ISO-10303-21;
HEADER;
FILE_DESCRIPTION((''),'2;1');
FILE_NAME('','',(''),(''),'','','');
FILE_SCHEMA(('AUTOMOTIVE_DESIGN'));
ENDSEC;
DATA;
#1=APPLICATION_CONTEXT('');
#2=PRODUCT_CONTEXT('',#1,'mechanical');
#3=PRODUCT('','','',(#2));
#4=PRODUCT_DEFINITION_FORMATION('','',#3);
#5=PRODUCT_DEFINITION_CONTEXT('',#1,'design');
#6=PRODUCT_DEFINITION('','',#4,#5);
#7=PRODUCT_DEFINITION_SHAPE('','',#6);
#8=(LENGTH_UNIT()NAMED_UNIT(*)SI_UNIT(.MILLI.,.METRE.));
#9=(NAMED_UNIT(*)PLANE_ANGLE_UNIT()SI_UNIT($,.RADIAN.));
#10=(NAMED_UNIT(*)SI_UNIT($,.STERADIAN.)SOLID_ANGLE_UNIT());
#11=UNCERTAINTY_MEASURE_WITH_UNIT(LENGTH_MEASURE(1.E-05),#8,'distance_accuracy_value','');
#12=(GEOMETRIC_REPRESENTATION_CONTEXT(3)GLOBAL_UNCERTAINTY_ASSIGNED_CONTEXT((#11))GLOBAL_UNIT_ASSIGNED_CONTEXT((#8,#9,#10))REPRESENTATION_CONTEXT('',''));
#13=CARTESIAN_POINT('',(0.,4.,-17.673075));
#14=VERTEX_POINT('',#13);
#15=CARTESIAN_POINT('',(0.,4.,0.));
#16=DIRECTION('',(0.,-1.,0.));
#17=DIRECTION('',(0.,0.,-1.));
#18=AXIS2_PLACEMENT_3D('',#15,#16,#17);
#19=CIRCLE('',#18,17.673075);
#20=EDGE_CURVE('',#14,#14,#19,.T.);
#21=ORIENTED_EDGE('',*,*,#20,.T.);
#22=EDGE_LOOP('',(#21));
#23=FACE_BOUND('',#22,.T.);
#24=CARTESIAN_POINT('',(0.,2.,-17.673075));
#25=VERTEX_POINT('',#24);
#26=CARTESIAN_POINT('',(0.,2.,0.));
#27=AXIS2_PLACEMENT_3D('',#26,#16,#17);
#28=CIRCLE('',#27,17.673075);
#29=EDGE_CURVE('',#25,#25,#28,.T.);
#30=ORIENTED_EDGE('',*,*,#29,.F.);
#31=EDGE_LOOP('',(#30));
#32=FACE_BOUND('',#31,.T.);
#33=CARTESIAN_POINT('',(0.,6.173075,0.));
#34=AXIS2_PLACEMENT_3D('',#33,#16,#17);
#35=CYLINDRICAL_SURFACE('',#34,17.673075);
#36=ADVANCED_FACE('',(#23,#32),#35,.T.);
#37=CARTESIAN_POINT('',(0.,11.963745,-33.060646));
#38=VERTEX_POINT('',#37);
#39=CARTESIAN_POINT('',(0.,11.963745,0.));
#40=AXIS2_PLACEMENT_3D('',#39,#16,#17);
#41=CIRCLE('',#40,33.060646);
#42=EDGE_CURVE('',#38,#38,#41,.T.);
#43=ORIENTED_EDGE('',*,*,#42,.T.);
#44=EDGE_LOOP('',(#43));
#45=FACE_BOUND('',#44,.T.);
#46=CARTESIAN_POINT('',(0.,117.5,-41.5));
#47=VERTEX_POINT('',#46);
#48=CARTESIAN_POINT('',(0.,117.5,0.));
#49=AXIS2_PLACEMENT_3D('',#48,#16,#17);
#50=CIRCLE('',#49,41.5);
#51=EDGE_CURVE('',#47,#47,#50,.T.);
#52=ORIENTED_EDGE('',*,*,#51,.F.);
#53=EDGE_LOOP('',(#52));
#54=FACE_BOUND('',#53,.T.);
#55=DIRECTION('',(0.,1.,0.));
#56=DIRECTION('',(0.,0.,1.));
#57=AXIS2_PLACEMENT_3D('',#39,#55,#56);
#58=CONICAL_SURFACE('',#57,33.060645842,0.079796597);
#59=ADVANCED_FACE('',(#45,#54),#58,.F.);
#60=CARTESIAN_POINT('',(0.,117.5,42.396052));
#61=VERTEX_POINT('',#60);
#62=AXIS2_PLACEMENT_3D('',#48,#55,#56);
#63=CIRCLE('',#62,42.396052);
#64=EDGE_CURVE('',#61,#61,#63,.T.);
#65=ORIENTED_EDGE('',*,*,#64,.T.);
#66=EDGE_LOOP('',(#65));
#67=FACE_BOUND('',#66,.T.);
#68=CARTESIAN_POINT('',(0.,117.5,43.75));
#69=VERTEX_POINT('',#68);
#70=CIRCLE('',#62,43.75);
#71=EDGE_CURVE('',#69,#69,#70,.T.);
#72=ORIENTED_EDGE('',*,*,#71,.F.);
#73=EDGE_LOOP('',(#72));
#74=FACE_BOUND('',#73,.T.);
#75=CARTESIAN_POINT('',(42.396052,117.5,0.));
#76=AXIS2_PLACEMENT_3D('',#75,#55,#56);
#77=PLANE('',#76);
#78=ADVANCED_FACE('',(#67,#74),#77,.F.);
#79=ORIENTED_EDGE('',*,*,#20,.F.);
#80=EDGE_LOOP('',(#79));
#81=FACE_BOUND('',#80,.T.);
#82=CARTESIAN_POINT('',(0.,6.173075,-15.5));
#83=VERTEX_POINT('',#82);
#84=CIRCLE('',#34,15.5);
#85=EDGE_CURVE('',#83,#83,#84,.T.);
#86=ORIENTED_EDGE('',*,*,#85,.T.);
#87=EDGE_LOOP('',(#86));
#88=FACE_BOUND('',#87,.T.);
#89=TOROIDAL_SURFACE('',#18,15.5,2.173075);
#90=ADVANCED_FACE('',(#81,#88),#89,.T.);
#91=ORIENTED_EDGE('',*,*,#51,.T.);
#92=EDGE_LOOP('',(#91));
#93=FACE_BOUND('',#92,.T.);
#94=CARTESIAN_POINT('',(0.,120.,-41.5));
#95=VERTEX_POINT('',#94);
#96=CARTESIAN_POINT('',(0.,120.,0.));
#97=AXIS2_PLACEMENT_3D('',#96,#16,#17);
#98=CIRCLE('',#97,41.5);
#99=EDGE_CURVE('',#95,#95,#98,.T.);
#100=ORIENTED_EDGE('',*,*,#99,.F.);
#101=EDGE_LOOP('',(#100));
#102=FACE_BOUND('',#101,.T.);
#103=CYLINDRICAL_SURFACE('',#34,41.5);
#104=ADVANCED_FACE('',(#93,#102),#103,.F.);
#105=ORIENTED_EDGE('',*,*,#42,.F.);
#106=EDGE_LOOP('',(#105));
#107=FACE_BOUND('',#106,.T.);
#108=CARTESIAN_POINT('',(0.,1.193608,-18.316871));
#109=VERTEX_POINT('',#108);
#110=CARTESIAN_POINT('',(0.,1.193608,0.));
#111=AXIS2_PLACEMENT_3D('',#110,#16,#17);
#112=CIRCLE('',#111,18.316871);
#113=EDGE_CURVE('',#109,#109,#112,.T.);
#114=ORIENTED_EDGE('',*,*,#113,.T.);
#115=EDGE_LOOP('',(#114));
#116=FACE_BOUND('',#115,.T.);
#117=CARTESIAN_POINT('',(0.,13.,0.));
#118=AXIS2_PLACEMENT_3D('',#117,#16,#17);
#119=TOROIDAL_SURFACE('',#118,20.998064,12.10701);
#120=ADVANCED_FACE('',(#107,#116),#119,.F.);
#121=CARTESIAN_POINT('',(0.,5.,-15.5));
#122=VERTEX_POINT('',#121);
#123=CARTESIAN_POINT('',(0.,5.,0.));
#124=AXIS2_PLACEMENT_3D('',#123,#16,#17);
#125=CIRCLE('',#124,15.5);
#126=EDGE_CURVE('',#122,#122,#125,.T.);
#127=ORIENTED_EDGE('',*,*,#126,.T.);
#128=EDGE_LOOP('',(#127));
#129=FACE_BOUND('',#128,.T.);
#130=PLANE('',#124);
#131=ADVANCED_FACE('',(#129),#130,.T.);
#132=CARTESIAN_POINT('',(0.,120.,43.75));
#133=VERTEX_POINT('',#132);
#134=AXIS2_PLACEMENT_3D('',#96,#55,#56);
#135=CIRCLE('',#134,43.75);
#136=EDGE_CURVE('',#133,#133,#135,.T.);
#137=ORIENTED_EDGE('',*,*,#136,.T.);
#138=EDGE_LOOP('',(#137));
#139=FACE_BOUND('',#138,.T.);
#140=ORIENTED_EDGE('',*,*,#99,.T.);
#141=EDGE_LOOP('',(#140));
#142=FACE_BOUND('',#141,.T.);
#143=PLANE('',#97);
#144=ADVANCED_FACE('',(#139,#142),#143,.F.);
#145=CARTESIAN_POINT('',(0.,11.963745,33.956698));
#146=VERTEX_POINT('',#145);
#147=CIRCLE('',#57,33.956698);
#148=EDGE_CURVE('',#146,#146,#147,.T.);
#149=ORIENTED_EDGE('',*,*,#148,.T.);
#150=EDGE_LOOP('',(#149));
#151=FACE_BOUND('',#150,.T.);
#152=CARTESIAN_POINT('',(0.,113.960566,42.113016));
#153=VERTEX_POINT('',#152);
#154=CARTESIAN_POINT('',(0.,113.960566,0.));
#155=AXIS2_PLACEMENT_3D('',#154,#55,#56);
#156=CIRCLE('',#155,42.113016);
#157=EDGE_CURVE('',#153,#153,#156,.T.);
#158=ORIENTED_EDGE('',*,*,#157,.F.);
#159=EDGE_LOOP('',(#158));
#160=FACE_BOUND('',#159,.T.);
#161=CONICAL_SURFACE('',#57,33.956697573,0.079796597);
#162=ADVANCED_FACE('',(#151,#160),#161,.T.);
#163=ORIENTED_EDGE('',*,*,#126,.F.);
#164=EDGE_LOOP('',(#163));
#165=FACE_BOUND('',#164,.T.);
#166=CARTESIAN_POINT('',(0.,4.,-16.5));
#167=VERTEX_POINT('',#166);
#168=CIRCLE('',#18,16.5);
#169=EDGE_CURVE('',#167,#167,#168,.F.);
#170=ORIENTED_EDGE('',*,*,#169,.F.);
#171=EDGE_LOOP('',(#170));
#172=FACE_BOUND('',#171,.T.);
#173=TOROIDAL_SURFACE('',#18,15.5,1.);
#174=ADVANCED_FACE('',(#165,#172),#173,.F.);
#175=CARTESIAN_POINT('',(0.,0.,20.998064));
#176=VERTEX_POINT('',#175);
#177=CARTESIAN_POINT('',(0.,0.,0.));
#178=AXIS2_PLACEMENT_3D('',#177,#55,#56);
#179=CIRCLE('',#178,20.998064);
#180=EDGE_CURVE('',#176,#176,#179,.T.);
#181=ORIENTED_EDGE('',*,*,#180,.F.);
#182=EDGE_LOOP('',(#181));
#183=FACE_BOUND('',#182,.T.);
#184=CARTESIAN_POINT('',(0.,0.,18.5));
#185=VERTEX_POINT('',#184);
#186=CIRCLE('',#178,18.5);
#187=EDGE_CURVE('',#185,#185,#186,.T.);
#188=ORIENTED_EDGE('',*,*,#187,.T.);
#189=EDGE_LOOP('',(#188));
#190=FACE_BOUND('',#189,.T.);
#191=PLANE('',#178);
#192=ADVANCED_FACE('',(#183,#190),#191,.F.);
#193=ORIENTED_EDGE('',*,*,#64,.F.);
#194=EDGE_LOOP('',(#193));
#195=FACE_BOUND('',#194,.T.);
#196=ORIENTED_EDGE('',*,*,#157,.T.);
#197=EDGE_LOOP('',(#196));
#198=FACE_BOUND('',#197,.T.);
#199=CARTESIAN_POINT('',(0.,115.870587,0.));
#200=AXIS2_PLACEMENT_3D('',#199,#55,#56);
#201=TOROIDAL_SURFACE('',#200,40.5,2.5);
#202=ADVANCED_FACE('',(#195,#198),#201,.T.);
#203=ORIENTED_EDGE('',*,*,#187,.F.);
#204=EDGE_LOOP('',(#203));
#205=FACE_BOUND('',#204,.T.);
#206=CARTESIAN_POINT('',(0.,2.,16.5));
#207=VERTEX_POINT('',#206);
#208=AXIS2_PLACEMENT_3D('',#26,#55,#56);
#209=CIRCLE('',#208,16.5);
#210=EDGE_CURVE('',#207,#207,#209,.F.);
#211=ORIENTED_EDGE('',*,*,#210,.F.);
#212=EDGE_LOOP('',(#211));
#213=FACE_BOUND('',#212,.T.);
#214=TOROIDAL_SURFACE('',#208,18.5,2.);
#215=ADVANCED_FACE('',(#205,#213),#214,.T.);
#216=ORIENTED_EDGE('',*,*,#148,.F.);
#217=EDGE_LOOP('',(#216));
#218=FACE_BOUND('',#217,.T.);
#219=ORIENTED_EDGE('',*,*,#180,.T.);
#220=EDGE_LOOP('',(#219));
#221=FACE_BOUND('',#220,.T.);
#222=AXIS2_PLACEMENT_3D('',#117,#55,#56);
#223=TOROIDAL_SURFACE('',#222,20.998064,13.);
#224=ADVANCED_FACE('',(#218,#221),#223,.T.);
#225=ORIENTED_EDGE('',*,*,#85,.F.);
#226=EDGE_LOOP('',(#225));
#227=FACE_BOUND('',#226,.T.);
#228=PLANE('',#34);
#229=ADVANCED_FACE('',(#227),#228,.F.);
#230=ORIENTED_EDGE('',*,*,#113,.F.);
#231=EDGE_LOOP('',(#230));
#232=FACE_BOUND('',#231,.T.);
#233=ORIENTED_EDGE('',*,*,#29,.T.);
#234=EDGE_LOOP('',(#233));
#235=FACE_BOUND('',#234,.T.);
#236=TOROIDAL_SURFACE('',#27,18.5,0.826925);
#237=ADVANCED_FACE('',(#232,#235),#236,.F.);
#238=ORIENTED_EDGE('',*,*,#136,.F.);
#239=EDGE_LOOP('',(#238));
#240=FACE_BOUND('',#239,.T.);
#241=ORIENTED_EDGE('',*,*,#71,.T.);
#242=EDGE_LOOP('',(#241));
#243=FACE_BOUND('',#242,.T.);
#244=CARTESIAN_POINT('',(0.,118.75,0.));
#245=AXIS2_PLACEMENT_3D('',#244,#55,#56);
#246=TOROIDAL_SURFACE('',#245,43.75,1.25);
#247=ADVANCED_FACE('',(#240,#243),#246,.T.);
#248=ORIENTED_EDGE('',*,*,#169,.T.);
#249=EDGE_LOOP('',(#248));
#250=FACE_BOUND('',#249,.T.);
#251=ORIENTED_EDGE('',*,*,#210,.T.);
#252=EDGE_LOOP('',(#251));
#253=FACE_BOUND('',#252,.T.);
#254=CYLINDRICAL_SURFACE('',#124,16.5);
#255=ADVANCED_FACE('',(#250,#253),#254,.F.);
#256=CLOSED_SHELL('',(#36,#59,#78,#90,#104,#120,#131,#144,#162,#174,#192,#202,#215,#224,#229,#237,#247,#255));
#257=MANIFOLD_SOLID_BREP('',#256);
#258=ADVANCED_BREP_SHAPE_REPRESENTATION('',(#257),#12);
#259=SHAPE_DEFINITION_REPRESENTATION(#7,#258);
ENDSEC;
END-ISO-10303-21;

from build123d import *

# Parameters (mm, degrees)
SKETCH2_R          = 16.5
CUT_EXTRUDE1_DEPTH = 5
FILLET1_R          = 2
FILLET2_R          = 1


with BuildPart() as part:
    # Sketch1 → Revolve1 (revolve)
    with BuildSketch(Plane.XY, mode=Mode.PRIVATE) as revolve1_sk:
        with BuildLine():
            Line((0, 120), (43.75, 120))
            ThreePointArc((43.75, 120), (45, 118.75), (43.75, 117.5))
            Line((43.75, 117.5), (42.396051731, 117.5))
            ThreePointArc((42.396051731, 117.5), (42.992044851, 115.67130681), (42.11301593, 113.96056582))
            Line((42.11301593, 113.96056582), (33.956697573, 11.963744782))
            ThreePointArc((33.956697573, 11.963744782), (29.816473561, 3.448264089), (20.998064346, 0))
            Line((20.998064346, 0), (0, 0))
            Line((0, 0), (0, 120))
        make_face()
    revolve(revolve1_sk.sketch.rotate(Axis((0, 120, 0), (0, -1, 0)), 90), axis=Axis((0, 120, 0), (0, -1, 0)))

    # Sketch2 → Cut-Extrude1 (cut)
    with BuildSketch(Plane.XZ):
        with Locations(Location((0, 0, 0), (0, 0, 270))):
            Circle(SKETCH2_R)
    extrude(amount=-CUT_EXTRUDE1_DEPTH, mode=Mode.SUBTRACT)

    # Fillet1
    fillet1_edges = [part.edges().sort_by_distance(p)[0] for p in [
        (0, 0, 16.5),
    ]]
    fillet(fillet1_edges, radius=FILLET1_R)

    # Fillet2
    fillet2_edges = [part.edges().sort_by_distance(p)[0] for p in [
        (0, 5, 16.5),
    ]]
    fillet(fillet2_edges, radius=FILLET2_R)

    # Sketch4 → Cut-Revolve1 (revolve, cut)
    with BuildSketch(Plane(origin=(0, 0, 0), x_dir=(0, 0, -1), z_dir=(1, 0, 0))):
        with BuildLine():
            Line((0, 6.173075097), (0, 120))
            Line((0, 120), (41.5, 120))
            Line((41.5, 120), (41.5, 117.5))
            Line((41.5, 117.5), (33.060645842, 11.963744782))
            ThreePointArc((33.060645842, 11.963744782), (28.139602956, 3.223593528), (18.316870923, 1.193607704))
            ThreePointArc((18.316870923, 1.193607704), (17.853765217, 1.484068415), (17.673075097, 2))
            Line((17.673075097, 2), (17.673075097, 4))
            ThreePointArc((17.673075097, 4), (17.036596137, 5.536596137), (15.5, 6.173075097))
            Line((15.5, 6.173075097), (0, 6.173075097))
        make_face()
    revolve(axis=Axis((0, 6.173075097, 0), (0, 1, 0)), mode=Mode.SUBTRACT)


solid = part.part
